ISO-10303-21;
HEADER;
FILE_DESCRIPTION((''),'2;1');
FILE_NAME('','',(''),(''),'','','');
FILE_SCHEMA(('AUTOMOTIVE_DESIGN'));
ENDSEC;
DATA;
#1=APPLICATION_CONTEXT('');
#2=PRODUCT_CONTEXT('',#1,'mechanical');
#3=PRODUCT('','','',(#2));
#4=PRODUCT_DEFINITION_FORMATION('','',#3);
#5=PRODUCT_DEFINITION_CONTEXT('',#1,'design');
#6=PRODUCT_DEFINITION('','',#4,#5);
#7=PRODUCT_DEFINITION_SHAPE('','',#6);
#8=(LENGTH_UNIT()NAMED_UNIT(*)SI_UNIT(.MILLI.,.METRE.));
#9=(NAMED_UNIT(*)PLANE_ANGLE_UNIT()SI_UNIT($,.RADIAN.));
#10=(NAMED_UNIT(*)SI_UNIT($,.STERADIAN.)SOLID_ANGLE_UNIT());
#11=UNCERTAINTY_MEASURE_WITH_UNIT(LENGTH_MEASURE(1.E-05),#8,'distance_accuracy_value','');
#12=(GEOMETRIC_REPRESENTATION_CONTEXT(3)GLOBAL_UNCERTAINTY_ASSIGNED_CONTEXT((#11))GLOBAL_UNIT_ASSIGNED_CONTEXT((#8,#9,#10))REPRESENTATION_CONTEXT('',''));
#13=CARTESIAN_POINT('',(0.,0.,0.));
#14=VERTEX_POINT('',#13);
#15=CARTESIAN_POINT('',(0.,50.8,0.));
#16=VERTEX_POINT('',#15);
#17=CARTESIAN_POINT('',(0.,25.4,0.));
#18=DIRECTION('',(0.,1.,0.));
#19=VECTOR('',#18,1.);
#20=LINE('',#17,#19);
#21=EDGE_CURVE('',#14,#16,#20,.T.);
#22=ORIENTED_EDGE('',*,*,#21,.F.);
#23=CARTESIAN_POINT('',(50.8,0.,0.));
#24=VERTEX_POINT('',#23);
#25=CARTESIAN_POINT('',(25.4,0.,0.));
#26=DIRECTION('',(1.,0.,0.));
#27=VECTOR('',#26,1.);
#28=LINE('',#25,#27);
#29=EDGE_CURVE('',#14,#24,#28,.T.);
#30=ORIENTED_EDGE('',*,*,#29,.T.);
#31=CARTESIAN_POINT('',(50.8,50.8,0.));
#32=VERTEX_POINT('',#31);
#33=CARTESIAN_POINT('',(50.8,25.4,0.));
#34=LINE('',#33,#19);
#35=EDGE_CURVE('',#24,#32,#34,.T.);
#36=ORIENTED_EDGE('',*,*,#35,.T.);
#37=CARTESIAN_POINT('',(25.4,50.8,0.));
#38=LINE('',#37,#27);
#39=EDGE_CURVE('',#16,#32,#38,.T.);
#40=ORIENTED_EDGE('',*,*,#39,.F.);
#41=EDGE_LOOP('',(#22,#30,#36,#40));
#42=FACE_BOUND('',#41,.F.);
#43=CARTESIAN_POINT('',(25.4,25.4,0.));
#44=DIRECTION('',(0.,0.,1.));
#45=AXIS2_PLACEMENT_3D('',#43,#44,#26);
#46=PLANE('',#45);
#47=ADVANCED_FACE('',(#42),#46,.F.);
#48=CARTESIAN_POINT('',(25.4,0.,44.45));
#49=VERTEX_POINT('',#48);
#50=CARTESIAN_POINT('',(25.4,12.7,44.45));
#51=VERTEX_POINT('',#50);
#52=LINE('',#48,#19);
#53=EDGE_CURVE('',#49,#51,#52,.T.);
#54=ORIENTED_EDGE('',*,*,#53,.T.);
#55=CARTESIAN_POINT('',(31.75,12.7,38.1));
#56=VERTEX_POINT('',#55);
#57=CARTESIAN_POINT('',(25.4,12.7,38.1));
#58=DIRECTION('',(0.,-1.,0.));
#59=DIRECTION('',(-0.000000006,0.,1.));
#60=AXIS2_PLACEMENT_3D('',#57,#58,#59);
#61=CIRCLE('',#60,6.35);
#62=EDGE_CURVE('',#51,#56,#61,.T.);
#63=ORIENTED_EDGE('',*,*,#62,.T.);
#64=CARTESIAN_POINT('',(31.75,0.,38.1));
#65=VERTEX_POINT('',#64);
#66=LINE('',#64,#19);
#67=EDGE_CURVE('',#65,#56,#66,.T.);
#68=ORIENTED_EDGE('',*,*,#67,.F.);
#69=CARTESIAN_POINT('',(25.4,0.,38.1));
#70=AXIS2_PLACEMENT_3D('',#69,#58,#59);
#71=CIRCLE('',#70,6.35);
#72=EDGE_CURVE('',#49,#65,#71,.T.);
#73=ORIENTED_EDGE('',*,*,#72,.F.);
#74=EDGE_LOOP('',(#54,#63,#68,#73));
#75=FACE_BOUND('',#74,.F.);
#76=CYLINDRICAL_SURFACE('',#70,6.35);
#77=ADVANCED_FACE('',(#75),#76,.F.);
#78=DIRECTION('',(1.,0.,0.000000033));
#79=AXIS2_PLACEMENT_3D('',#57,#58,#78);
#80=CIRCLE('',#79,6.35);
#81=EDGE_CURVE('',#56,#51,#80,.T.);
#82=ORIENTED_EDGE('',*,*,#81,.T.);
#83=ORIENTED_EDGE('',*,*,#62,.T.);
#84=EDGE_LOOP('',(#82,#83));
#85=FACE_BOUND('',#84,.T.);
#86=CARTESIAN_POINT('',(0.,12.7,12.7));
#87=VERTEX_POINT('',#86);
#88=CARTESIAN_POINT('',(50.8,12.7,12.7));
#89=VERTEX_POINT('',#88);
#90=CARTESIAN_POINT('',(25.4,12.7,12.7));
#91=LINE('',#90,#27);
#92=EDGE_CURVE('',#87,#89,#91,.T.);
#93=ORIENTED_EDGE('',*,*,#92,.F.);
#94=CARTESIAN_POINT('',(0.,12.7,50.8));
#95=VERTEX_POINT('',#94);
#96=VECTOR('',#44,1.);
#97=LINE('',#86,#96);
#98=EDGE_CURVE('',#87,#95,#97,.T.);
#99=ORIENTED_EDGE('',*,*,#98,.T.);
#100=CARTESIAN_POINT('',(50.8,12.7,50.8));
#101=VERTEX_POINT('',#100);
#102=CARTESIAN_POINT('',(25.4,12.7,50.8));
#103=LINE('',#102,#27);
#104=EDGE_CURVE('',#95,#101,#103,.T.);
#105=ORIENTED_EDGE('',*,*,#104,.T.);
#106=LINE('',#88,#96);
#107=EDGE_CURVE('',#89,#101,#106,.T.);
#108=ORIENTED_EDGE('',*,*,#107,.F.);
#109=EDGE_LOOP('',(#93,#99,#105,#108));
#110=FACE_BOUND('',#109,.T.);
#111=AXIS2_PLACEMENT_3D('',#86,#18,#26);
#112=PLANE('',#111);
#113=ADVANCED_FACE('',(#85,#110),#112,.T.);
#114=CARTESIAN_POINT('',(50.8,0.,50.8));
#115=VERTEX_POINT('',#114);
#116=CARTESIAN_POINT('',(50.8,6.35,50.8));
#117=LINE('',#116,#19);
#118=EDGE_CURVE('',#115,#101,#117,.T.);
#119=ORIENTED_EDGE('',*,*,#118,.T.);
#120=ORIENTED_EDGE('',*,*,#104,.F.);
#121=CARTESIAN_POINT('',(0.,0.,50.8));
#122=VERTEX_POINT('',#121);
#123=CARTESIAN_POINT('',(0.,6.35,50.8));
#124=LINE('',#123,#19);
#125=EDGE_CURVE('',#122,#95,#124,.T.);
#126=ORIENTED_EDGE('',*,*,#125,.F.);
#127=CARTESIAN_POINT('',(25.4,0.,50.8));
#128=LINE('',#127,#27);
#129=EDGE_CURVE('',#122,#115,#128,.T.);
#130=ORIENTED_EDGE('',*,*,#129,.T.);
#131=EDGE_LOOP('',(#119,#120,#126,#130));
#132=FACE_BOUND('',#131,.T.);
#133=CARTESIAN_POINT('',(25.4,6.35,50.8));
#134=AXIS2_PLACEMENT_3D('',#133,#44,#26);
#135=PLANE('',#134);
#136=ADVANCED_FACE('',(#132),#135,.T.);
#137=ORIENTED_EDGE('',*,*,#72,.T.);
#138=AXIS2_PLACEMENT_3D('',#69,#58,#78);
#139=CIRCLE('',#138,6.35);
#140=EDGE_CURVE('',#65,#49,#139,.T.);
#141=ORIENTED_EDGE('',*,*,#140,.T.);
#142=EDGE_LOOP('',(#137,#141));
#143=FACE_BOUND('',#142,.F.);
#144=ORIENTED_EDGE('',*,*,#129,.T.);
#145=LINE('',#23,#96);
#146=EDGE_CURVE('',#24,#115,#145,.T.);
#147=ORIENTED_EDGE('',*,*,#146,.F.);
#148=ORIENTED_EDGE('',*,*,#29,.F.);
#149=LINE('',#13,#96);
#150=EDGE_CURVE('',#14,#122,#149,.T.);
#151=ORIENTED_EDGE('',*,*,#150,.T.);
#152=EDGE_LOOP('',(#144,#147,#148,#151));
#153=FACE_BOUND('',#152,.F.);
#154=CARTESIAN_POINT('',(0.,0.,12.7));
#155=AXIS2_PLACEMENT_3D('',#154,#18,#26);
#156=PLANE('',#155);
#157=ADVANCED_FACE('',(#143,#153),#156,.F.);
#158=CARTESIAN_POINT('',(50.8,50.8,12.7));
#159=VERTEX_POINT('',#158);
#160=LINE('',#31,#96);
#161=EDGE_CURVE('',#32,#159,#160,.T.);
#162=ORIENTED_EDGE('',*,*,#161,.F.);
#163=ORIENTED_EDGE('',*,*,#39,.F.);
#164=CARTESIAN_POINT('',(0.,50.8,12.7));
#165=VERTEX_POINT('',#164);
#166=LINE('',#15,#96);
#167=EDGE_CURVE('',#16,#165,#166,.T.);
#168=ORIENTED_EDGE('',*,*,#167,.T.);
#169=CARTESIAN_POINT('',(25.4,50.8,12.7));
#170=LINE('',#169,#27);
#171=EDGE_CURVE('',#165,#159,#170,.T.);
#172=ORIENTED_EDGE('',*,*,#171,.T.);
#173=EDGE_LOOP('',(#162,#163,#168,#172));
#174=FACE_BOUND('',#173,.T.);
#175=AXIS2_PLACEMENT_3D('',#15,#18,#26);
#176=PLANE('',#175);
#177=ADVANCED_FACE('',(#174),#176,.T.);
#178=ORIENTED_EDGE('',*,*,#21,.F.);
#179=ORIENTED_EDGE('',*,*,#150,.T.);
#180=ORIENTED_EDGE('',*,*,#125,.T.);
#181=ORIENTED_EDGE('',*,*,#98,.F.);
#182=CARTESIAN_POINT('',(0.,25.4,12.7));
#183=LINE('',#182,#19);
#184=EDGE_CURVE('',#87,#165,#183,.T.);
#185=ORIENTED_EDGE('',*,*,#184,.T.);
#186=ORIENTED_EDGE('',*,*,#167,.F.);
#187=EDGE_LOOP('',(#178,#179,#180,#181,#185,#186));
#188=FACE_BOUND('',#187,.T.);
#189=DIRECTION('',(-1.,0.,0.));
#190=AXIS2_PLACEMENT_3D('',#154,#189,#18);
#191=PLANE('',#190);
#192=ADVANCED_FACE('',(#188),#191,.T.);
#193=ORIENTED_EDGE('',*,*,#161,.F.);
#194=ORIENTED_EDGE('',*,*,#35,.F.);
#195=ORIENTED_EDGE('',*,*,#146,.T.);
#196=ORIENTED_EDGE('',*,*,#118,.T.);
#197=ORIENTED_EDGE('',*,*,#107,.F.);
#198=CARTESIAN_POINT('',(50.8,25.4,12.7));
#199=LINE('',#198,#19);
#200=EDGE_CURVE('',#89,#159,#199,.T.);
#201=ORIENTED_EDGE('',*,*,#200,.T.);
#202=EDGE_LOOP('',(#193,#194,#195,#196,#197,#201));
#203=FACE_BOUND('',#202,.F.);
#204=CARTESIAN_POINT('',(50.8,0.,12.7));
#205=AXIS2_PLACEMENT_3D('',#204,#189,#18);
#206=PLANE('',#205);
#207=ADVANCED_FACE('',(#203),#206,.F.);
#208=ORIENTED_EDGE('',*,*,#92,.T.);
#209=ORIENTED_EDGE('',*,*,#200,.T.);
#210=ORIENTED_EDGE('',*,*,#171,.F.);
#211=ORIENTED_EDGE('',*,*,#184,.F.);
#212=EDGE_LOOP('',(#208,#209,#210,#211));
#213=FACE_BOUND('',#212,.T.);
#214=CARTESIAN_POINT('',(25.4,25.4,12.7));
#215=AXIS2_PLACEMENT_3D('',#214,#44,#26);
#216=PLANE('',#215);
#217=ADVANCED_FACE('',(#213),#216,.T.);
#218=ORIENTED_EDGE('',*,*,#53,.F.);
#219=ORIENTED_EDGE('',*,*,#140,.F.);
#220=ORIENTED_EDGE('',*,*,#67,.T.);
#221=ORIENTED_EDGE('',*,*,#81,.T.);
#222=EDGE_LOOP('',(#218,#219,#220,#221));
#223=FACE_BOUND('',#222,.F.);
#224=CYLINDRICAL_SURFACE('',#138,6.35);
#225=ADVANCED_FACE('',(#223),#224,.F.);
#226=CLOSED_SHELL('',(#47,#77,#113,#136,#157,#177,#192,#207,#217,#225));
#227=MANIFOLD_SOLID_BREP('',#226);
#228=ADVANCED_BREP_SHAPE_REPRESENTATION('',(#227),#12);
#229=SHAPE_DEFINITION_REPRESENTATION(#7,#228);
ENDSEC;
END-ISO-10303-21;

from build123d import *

# Parameters (mm, degrees)
F0_W     = 50.8
F0_H     = 50.8
F1_DEPTH = 12.7
F2_W     = 50.8
F2_H     = 12.7
F3_DEPTH = 38.1
F5_DEPTH = 25.4


with BuildPart() as f1:
    # F0 (on Top) → F1 (new body)
    with BuildSketch(Plane.XY):
        with Locations((25.4, 25.4)):
            Rectangle(F0_W, F0_H)
    extrude(amount=F1_DEPTH)

    # F2 (on face) → F3 (join)
    with BuildSketch(Plane.XY.offset(12.7)):
        with Locations((25.4, 6.35)):
            Rectangle(F2_W, F2_H)
    extrude(amount=F3_DEPTH)

    # F4 (on face) → F5 (cut)
    with BuildSketch(Plane.XZ):
        with BuildLine():
            ThreePointArc((31.75, 38.1), (29.890128, 42.590128), (25.4, 44.45))
            ThreePointArc((25.4, 44.45), (20.909872, 33.609872), (31.75, 38.1))
        make_face()
    extrude(amount=-F5_DEPTH, mode=Mode.SUBTRACT)


solid = f1.part
